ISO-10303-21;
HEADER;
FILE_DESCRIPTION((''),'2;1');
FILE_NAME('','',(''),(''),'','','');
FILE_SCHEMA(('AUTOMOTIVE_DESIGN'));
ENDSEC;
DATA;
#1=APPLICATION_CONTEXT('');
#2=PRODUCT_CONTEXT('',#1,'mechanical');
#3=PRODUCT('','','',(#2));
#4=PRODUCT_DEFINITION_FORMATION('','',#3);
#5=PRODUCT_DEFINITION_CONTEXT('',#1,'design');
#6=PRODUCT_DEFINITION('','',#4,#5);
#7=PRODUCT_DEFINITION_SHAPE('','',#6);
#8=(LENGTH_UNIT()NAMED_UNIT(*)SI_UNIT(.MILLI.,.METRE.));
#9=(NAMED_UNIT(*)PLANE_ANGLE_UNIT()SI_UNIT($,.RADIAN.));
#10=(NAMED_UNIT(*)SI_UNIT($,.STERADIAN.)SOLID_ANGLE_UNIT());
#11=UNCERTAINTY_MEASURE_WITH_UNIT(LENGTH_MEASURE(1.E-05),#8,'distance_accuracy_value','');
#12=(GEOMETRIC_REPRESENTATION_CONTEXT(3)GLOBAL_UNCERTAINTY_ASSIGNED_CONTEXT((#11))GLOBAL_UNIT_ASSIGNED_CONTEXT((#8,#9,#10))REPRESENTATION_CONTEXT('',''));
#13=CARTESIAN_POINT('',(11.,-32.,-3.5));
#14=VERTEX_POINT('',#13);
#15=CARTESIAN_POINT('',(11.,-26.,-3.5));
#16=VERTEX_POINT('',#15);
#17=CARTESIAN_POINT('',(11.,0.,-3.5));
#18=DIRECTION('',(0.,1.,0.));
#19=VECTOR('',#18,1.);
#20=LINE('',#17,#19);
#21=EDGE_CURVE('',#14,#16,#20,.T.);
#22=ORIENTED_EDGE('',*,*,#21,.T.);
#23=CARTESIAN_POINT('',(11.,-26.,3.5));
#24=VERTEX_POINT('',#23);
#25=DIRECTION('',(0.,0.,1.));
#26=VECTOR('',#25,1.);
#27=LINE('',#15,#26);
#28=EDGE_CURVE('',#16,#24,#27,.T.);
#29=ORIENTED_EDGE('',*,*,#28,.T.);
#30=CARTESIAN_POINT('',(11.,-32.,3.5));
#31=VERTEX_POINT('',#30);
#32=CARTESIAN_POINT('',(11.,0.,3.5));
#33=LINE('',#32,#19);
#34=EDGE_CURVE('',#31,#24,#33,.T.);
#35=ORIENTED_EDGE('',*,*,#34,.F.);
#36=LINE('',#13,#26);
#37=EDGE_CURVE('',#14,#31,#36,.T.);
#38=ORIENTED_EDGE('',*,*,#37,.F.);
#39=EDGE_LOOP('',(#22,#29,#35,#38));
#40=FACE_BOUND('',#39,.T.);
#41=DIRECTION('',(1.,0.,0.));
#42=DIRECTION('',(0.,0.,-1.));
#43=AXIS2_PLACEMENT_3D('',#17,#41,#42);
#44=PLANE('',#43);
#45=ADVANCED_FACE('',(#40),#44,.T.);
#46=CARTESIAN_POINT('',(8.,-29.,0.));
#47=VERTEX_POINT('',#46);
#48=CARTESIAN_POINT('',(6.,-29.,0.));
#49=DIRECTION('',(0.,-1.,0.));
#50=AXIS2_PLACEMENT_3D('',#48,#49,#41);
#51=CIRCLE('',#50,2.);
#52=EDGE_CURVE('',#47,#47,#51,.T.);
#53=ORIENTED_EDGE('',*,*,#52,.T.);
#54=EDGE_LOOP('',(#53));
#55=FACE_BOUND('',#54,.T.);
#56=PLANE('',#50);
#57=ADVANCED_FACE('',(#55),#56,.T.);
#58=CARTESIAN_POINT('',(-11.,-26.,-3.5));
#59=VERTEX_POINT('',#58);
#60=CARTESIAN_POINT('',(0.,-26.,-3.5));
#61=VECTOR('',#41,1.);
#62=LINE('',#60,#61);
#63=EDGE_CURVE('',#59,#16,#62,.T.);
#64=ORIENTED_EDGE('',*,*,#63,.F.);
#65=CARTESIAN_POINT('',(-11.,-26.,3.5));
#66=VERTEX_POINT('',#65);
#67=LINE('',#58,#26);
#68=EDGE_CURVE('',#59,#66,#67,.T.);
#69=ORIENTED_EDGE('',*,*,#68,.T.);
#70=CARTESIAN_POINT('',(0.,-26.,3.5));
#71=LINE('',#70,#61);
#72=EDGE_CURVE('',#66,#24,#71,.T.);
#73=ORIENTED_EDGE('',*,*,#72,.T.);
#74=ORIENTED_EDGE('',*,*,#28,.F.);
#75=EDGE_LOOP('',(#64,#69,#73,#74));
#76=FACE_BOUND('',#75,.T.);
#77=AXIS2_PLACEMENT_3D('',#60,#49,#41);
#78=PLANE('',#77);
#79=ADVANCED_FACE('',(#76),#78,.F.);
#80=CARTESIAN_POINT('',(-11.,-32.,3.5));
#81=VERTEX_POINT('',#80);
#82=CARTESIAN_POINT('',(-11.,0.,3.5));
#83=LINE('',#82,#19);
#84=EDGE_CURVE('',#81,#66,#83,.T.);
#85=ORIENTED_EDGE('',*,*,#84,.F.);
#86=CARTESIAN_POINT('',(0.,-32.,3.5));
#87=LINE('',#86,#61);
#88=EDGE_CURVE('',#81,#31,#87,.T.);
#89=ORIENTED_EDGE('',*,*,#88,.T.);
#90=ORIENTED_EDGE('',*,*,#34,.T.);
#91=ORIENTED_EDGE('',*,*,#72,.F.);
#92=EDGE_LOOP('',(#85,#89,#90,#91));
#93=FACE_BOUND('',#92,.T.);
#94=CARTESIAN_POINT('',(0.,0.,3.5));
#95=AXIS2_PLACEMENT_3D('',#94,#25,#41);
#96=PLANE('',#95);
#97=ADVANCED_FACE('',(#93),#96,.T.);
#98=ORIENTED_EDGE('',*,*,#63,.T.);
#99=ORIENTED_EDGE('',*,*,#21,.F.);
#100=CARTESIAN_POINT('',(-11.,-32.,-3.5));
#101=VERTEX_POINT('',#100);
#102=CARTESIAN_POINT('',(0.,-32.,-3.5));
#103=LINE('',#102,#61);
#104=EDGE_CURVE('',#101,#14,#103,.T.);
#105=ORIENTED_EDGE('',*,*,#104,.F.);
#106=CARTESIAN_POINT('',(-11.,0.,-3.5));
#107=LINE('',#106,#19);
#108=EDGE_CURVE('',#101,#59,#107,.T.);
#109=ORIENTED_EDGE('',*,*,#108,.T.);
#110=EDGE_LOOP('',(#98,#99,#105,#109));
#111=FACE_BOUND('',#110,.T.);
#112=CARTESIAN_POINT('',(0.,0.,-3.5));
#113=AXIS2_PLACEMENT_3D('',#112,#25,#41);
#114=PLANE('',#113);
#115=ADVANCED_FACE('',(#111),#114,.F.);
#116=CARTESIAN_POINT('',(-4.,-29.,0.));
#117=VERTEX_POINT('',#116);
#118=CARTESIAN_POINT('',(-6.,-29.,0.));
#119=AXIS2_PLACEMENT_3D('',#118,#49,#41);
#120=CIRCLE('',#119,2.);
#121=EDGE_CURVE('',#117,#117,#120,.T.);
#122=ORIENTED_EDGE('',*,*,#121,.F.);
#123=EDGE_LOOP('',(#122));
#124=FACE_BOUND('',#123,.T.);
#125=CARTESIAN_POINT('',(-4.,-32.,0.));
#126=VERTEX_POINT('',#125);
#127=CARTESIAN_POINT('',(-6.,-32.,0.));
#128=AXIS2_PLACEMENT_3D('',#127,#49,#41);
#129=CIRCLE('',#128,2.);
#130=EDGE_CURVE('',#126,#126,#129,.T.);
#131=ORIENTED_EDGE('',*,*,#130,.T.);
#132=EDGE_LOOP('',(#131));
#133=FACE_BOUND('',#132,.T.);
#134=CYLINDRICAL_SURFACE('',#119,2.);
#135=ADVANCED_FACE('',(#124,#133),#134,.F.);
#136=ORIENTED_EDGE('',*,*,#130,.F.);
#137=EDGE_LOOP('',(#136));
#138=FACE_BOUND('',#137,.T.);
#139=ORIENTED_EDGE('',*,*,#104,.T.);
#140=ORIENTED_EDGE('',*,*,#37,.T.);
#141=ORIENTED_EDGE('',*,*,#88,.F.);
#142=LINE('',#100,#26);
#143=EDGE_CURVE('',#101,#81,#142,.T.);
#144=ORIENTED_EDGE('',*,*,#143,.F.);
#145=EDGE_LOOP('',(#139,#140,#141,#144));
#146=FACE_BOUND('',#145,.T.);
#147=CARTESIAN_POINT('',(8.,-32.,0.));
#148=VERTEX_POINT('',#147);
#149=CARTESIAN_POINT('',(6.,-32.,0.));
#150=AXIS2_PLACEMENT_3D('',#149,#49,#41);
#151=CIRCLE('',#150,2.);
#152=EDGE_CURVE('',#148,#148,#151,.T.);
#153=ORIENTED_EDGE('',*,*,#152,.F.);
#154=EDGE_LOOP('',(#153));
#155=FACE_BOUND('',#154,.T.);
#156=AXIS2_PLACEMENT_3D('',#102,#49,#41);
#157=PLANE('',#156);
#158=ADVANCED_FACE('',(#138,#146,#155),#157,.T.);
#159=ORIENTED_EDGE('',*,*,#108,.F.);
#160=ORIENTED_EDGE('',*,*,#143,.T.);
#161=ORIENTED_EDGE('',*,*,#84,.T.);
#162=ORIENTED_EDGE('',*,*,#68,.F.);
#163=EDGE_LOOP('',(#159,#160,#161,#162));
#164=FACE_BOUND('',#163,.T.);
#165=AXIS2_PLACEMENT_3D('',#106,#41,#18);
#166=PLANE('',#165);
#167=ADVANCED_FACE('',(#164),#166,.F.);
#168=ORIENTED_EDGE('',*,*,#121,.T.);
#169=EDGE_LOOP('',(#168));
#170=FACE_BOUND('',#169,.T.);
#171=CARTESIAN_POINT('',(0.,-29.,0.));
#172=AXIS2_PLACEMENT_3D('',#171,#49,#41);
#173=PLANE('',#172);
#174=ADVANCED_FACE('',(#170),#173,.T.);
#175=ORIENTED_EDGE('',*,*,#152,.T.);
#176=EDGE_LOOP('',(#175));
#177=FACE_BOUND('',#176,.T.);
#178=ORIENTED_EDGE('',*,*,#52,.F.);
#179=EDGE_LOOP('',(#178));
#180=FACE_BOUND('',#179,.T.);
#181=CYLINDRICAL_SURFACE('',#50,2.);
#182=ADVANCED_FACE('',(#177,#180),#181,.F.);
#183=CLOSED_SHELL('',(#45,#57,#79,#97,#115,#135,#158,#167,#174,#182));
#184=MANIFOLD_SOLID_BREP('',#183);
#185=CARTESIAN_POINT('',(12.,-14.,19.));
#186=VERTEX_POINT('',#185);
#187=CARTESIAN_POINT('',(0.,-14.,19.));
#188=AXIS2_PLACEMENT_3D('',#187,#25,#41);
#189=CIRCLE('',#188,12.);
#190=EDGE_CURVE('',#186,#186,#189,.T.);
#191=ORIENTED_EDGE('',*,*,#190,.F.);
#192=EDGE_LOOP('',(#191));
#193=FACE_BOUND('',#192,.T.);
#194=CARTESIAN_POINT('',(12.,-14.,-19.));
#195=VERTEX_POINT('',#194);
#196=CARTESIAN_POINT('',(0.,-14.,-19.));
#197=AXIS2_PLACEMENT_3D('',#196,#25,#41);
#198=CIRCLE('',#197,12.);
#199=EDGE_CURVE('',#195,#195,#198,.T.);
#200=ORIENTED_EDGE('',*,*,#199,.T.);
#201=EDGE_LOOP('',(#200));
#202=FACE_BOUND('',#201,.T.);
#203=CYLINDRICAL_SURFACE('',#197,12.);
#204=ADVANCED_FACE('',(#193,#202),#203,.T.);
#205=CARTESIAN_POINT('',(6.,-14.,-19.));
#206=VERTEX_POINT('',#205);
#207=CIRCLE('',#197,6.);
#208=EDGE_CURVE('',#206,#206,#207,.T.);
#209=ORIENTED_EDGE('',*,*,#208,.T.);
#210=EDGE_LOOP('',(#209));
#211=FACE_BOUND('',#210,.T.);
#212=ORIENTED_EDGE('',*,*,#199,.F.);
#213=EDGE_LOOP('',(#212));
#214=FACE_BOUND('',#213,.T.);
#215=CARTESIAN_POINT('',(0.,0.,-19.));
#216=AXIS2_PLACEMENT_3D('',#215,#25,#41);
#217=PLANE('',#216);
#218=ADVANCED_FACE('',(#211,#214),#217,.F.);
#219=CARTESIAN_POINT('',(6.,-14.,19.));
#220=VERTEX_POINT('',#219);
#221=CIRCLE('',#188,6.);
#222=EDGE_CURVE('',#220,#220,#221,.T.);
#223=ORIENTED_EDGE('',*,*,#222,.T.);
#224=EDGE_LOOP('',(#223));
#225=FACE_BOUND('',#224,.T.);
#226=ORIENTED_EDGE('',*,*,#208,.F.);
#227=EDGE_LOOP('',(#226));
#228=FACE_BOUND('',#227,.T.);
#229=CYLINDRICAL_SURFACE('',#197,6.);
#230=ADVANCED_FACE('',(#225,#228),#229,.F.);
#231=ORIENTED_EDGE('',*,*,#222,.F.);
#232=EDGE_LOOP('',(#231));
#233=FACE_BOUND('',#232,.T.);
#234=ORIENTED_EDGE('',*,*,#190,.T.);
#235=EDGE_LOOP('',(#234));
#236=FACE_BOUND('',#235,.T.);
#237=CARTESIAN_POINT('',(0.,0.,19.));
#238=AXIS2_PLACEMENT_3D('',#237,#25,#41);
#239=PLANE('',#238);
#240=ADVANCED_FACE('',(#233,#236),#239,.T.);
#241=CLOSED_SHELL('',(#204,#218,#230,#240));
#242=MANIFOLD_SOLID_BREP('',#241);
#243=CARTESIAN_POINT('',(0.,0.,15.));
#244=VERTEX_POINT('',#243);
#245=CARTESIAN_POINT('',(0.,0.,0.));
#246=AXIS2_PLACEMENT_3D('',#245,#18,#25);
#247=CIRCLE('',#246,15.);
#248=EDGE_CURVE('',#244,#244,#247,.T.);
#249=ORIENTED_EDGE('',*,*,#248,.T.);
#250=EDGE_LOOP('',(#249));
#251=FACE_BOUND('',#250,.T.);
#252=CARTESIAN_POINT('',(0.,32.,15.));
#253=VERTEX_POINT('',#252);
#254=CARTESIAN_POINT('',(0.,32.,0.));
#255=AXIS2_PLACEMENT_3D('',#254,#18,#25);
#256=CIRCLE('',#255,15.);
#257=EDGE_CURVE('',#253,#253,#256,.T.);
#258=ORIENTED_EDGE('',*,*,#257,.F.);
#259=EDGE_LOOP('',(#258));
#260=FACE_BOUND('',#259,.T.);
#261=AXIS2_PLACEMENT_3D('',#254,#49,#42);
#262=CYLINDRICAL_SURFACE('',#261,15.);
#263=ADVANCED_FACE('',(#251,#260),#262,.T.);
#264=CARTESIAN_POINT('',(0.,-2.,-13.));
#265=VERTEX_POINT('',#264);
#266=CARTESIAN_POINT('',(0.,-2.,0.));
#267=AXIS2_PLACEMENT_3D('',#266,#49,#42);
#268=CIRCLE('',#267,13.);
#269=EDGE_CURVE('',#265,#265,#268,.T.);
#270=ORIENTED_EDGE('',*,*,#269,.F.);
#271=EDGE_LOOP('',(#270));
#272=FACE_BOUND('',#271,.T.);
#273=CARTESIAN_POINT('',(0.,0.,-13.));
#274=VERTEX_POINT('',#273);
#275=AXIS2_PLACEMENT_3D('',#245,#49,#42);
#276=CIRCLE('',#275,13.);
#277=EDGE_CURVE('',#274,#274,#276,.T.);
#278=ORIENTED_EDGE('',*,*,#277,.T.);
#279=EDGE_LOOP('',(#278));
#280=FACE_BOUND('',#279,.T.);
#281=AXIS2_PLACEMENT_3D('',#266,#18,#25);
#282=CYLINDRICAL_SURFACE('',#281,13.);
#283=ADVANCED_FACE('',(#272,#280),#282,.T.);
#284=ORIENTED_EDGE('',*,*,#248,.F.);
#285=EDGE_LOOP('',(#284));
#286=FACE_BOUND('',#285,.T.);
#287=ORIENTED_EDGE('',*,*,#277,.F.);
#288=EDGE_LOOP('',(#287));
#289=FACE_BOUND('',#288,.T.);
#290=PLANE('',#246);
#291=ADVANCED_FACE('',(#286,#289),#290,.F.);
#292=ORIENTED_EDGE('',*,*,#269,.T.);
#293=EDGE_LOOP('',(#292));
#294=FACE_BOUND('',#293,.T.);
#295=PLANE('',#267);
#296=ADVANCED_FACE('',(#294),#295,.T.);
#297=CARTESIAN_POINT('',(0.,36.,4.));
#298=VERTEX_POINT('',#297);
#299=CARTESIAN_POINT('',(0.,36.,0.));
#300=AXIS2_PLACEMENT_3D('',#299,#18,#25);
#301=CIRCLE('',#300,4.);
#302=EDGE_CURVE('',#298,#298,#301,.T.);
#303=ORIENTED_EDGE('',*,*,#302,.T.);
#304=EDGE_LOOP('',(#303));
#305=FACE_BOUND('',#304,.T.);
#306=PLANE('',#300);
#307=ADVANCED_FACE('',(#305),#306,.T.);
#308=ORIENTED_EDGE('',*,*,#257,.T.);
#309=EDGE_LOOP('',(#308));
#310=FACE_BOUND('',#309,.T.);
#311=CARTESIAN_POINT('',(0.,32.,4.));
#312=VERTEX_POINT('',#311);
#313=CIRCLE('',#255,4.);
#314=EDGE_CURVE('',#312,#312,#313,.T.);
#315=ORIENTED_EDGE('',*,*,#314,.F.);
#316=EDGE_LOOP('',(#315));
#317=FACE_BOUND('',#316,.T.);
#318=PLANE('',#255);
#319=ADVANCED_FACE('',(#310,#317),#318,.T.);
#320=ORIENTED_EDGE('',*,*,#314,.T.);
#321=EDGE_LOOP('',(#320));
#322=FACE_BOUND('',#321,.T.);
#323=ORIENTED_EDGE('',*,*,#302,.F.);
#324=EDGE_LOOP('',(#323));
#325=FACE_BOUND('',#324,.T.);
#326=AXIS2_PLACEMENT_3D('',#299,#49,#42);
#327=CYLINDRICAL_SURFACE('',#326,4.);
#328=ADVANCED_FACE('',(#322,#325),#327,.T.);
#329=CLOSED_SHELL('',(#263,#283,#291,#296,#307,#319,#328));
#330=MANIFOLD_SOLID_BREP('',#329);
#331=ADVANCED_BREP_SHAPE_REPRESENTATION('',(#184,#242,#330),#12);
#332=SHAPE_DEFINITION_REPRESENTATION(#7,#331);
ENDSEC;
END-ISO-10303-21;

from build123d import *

# Parameters (mm, degrees)
SKETCH2_R                = 15
BOSS_EXTRUDE1_DEPTH      = 32
SKETCH3_R                = 4
BOSS_EXTRUDE2_DEPTH      = 4
SKETCH4_R                = 13
BOSS_EXTRUDE3_DEPTH      = 2
BOSS_EXTRUDE4_DEPTH      = 19
BOSS_EXTRUDE4_DEPTH_BACK = 19
SKETCH10_R               = 6
CUT_EXTRUDE1_DEPTH       = 44.382023927
SKETCH12_R               = 6
CUT_EXTRUDE2_DEPTH       = 55.45181356
BOSS_EXTRUDE5_DEPTH      = 3.5
BOSS_EXTRUDE5_DEPTH_BACK = 3.5
SKETCH14_R               = 2
CUT_EXTRUDE3_DEPTH       = 3
SKETCH16_R               = 2
CUT_EXTRUDE4_DEPTH       = 3


with BuildPart() as part:
    # Sketch2 → Boss-Extrude1 (new body)
    with BuildSketch(Plane(origin=(0, 0, 0), x_dir=(1, 0, 0), z_dir=(0, 1, 0))):
        Circle(SKETCH2_R)
    extrude(amount=BOSS_EXTRUDE1_DEPTH)

    # Sketch3 → Boss-Extrude2 (add)
    with BuildSketch(Plane(origin=(0, 32, 0), x_dir=(1, 0, 0), z_dir=(0, 1, 0))):
        Circle(SKETCH3_R)
    extrude(amount=BOSS_EXTRUDE2_DEPTH)

    # Sketch4 → Boss-Extrude3 (add)
    with BuildSketch(Plane(origin=(0, 0, 0), x_dir=(-1, 0, 0), z_dir=(0, -1, 0))):
        Circle(SKETCH4_R)
    extrude(amount=BOSS_EXTRUDE3_DEPTH)


with BuildPart() as body_2:
    # Sketch6 → Boss-Extrude4 (new, two sides: drawn at the far end of the back side and taken through both)
    with BuildSketch(Plane(origin=(0, 0, 0), x_dir=(-1, 0, 0), z_dir=(0, 0, 1)).offset(-BOSS_EXTRUDE4_DEPTH_BACK)):
        with BuildLine():
            ThreePointArc((0, 2), (8.485281374, 5.514718626), (12, 14))
            ThreePointArc((12, 14), (-8.485281374, 22.485281374), (0, 2))
        make_face()
    extrude(amount=BOSS_EXTRUDE4_DEPTH + BOSS_EXTRUDE4_DEPTH_BACK)

    # Sketch10 → Cut-Extrude1 (cut, through all)
    with BuildSketch(Plane(origin=(0, 0, 0), x_dir=(-1, 0, 0), z_dir=(0, 0, 1))):
        with Locations((0, 14)):
            Circle(SKETCH10_R)
    extrude(amount=-CUT_EXTRUDE1_DEPTH, mode=Mode.SUBTRACT)

    # Sketch12 → Cut-Extrude2 (cut, through all)
    with BuildSketch(Plane.XY.offset(19)):
        with Locations((0, -14)):
            Circle(SKETCH12_R)
    extrude(amount=-CUT_EXTRUDE2_DEPTH, mode=Mode.SUBTRACT)


with BuildPart() as body_3:
    # Sketch13 → Boss-Extrude5 (new, two sides: drawn at the far end of the back side and taken through both)
    with BuildSketch(Plane(origin=(0, 0, 0), x_dir=(-1, 0, 0), z_dir=(0, 0, 1)).offset(-BOSS_EXTRUDE5_DEPTH_BACK)):
        Polygon((11, 26), (11, 32), (-11, 32), (-11, 26), (0, 26), align=None)
    extrude(amount=BOSS_EXTRUDE5_DEPTH + BOSS_EXTRUDE5_DEPTH_BACK)

    # Sketch14 → Cut-Extrude3 (cut)
    with BuildSketch(Plane(origin=(0, -32, 0), x_dir=(-1, 0, 0), z_dir=(0, -1, 0))):
        with Locations((-6, 0)):
            Circle(SKETCH14_R)
    extrude(amount=-CUT_EXTRUDE3_DEPTH, mode=Mode.SUBTRACT)

    # Sketch16 → Cut-Extrude4 (cut)
    with BuildSketch(Plane(origin=(0, -32, 0), x_dir=(-1, 0, 0), z_dir=(0, -1, 0))):
        with Locations((6, 0)):
            Circle(SKETCH16_R)
    extrude(amount=-CUT_EXTRUDE4_DEPTH, mode=Mode.SUBTRACT)


solid = Compound([part.part, body_2.part, body_3.part])
